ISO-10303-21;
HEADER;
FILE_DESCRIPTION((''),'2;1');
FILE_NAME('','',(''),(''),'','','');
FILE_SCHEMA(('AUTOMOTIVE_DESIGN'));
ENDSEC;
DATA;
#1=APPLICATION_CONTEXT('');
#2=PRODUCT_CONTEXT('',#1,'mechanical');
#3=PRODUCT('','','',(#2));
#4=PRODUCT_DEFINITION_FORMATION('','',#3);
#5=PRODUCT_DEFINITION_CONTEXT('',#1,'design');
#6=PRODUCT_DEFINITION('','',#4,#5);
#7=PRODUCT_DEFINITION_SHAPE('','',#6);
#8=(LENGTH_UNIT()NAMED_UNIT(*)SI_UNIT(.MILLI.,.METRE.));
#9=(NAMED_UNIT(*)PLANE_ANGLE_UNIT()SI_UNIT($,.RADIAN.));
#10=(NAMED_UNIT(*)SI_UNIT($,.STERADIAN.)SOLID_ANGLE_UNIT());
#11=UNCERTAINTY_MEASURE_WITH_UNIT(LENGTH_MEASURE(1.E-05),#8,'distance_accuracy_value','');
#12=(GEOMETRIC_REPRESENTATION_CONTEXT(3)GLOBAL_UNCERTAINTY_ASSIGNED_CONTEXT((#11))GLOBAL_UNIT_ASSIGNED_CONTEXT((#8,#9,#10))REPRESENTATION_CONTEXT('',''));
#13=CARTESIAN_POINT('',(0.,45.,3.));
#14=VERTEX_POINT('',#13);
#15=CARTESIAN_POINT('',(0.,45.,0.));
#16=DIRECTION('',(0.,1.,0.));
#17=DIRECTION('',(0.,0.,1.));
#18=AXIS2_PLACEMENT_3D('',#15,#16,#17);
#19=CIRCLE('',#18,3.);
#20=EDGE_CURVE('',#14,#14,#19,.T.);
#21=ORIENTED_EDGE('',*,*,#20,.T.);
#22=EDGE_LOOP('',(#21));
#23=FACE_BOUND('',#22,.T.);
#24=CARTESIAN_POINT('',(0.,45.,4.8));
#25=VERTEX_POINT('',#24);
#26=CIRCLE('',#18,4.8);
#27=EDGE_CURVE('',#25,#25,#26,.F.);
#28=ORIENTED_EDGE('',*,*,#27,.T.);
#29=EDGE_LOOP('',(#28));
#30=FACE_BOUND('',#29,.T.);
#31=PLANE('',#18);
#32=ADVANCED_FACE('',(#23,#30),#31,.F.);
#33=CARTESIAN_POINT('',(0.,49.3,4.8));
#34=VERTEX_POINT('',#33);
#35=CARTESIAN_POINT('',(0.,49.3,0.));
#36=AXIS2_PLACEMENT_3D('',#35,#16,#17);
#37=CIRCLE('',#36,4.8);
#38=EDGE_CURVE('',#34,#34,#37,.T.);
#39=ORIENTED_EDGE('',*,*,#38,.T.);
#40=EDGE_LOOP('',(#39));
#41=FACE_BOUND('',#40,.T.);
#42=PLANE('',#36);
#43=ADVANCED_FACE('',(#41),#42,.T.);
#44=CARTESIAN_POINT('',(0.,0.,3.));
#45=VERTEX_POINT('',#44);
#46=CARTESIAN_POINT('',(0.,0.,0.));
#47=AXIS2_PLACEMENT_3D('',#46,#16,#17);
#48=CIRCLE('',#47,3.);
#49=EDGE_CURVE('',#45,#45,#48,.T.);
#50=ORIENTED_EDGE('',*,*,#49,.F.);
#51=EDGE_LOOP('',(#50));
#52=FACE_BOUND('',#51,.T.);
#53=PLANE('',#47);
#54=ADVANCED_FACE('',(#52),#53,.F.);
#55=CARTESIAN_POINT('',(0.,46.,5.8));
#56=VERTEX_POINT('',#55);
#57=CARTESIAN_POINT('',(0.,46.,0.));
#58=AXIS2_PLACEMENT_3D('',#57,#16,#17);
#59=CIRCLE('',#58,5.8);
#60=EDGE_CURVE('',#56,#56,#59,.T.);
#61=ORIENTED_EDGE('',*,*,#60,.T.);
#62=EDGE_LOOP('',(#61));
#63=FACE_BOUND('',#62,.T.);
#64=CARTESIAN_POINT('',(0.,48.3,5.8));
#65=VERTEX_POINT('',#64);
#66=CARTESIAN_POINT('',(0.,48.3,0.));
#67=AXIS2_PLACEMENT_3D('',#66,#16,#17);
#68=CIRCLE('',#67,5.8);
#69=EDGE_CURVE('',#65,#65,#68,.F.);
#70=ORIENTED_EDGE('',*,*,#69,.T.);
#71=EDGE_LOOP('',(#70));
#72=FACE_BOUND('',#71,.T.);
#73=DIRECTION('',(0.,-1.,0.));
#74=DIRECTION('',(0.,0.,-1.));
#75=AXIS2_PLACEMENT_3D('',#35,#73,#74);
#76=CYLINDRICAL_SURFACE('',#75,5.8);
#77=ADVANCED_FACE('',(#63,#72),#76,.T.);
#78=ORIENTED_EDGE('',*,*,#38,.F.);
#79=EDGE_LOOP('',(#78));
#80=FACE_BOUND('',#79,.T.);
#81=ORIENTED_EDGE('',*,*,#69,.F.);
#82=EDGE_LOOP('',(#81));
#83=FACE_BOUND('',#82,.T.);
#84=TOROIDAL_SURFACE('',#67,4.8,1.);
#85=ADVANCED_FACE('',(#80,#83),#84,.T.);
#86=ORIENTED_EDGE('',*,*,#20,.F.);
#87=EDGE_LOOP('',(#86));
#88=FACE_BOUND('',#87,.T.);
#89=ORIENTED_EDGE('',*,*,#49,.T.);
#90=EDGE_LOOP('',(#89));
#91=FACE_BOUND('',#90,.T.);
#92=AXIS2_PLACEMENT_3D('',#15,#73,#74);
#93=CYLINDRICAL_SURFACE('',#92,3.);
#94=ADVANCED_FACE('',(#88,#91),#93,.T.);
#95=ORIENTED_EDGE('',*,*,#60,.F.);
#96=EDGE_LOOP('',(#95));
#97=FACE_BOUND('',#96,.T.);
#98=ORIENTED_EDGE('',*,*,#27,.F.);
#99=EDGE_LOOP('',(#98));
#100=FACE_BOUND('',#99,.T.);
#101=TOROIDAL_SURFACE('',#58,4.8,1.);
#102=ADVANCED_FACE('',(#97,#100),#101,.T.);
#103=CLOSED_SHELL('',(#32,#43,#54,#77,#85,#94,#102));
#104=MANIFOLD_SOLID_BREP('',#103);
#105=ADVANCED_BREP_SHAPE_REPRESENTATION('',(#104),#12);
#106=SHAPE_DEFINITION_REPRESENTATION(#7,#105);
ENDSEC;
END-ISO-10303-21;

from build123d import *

# Parameters (mm, degrees)
SKETCH1_R           = 3
BOSS_EXTRUDE1_DEPTH = 45
SKETCH2_R           = 5.8
BOSS_EXTRUDE2_DEPTH = 4.3
FILLET1_R           = 1


with BuildPart() as part:
    # Sketch1 → Boss-Extrude1 (new body)
    with BuildSketch(Plane(origin=(0, 0, 0), x_dir=(1, 0, 0), z_dir=(0, 1, 0))):
        with Locations(Location((0, 0, 0), (0, 0, 270))):  # turned: the seam where the file's is
            Circle(SKETCH1_R)
    extrude(amount=BOSS_EXTRUDE1_DEPTH)

    # Sketch2 → Boss-Extrude2 (add)
    with BuildSketch(Plane(origin=(0, 45, 0), x_dir=(1, 0, 0), z_dir=(0, 1, 0))):
        with Locations(Location((0, 0, 0), (0, 0, 270))):  # turned: the seam where the file's is
            Circle(SKETCH2_R)
    extrude(amount=BOSS_EXTRUDE2_DEPTH)

    # Fillet1
    fillet1_edges = [part.edges().sort_by_distance(p)[0] for p in [
        (0, 45, -5.8),
        (0, 49.3, -5.8),
    ]]
    fillet(fillet1_edges, radius=FILLET1_R)


solid = part.part
